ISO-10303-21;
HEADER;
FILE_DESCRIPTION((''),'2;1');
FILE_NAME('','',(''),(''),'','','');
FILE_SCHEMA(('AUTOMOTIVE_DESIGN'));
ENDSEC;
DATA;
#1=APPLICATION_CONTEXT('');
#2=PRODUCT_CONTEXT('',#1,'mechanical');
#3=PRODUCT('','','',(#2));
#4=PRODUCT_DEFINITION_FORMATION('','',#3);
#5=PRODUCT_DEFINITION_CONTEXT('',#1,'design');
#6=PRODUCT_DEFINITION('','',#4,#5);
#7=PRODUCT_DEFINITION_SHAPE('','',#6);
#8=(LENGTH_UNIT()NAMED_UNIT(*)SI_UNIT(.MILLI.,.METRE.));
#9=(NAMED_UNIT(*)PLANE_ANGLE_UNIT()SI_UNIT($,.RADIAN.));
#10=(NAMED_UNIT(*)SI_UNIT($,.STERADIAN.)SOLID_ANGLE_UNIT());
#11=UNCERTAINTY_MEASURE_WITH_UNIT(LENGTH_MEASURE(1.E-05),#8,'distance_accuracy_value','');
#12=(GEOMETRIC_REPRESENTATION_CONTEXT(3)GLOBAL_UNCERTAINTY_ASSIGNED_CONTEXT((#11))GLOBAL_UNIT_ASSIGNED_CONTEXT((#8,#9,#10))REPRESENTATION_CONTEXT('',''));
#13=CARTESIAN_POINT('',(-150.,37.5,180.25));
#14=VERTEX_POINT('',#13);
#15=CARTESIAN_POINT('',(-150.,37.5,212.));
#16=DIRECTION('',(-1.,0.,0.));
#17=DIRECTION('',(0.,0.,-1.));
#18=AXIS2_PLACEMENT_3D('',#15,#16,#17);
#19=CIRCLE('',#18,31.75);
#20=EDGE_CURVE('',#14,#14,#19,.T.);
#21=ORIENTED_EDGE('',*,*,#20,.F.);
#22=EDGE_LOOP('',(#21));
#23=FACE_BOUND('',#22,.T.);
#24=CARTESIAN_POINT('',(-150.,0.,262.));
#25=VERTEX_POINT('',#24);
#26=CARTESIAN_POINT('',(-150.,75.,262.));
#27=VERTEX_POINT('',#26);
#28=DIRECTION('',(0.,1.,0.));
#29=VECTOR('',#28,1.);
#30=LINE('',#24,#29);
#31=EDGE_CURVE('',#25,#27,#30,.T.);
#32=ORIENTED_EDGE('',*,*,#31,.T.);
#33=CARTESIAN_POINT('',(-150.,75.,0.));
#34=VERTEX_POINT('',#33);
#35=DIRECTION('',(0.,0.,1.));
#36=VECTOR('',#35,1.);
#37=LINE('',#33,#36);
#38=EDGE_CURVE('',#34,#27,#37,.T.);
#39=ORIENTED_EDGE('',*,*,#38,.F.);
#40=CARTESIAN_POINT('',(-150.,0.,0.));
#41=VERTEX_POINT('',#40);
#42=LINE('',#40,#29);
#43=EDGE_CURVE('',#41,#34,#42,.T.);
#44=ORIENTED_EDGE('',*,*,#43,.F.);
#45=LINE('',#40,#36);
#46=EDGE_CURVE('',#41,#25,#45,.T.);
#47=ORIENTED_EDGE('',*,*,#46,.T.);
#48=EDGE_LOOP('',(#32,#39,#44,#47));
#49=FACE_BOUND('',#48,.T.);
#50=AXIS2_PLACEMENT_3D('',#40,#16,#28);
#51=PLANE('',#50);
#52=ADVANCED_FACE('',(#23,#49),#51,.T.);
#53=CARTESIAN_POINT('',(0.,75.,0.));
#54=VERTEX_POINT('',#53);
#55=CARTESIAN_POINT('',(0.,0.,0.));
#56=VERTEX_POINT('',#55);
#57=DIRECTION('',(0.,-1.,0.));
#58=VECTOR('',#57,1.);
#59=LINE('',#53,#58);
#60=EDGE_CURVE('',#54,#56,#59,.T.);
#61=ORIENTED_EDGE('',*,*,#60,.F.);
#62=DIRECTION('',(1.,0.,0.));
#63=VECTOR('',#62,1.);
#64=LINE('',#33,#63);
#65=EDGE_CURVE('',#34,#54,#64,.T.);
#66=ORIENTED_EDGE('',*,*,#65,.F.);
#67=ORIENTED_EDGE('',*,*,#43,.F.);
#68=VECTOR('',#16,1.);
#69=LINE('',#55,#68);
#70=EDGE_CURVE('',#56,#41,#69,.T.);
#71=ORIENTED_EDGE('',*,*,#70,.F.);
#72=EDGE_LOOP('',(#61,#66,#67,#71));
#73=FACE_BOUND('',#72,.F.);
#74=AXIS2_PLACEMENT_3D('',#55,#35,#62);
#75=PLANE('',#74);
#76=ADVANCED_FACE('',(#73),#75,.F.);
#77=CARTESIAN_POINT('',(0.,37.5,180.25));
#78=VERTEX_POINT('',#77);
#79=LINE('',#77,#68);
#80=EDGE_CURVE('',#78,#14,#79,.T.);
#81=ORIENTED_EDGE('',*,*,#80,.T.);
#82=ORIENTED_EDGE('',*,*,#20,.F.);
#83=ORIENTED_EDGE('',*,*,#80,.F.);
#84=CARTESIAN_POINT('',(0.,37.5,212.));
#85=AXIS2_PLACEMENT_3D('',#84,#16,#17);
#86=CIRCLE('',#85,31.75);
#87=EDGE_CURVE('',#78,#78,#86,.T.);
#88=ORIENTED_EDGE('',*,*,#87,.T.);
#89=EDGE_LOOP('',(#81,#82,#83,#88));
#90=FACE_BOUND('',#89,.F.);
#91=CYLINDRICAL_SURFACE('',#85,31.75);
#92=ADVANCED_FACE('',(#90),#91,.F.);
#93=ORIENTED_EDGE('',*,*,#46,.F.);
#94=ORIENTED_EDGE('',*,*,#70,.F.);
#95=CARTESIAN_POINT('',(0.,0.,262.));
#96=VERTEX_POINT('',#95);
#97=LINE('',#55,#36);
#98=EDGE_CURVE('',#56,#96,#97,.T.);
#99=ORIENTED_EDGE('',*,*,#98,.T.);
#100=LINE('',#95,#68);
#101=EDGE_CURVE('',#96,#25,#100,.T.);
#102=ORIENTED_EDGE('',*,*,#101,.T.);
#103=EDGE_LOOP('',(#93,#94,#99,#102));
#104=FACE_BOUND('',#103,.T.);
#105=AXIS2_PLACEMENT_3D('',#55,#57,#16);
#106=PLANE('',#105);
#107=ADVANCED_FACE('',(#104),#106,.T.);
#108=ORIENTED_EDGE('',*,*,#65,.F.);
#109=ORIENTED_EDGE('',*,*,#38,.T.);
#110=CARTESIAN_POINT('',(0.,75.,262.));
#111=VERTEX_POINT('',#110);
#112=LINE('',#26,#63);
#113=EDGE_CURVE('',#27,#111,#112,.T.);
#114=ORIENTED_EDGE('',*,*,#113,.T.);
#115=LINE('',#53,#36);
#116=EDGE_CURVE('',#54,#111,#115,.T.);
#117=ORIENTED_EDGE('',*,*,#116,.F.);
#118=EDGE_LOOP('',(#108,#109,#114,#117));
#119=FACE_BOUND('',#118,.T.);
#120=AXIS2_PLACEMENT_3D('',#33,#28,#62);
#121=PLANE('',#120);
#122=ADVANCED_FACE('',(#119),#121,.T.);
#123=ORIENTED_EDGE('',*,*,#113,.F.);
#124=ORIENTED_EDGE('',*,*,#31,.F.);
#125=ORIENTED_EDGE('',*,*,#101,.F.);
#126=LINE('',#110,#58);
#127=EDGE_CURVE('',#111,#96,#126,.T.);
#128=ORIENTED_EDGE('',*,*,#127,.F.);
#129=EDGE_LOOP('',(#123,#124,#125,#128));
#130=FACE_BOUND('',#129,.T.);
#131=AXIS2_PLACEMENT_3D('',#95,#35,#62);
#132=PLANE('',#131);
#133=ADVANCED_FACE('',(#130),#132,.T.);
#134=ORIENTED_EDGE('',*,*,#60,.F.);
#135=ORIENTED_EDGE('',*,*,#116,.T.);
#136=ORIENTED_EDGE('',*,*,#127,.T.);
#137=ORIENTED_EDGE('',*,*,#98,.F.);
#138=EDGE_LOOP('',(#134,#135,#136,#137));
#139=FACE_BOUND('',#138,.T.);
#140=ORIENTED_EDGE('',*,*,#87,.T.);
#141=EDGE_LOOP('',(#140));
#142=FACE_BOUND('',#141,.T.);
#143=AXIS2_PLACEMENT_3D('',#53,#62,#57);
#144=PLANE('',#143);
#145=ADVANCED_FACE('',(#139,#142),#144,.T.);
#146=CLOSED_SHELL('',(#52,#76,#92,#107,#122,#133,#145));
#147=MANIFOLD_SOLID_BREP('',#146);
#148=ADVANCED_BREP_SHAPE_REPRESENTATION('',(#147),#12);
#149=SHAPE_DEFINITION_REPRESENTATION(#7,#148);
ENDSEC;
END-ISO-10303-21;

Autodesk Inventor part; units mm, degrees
ref_plane "YZ Plane" through (0, 0, 0) normal (1, 0, 0) x (0, 1, 0)
ref_plane "XZ Plane" through (0, 0, 0) normal (0, 1, 0) x (-1, 0, 0)
ref_plane "XY Plane" through (0, 0, 0) normal (0, 0, 1) x (1, 0, 0)
sketch "Sketch1" plane through (0, 0, 0) normal (0, 0, 1) x (1, 0, 0)
  line L0 (-150, 75) -> (0, 75)
  line L1 (0, 75) -> (0, 0)
  line L2 (0, 0) -> (-150, 0)
  line L3 (-150, 0) -> (-150, 75)
  dimension "d0" = 150
  dimension "d1" = 75
extrude "Extrusion1" add sketch "Sketch1" along normal blind 262
sketch "Sketch2" plane through (0, 0, 0) normal (1, 0, 0) x (0, 0, -1)
  line L0 (-262, 0) -> (-262, 75) projected
  line L1 (0, 75) -> (-262, 75) projected
  point P0 (0, 0)
  point P1 (-212, 37.5)
  dimension "d4" = 50
  dimension "d5" = 37.5
hole "Hole1" at (0, 37.5, 212) direction (-1, 0, 0) diameter 63.5 end through all
properties part number "stand2"
